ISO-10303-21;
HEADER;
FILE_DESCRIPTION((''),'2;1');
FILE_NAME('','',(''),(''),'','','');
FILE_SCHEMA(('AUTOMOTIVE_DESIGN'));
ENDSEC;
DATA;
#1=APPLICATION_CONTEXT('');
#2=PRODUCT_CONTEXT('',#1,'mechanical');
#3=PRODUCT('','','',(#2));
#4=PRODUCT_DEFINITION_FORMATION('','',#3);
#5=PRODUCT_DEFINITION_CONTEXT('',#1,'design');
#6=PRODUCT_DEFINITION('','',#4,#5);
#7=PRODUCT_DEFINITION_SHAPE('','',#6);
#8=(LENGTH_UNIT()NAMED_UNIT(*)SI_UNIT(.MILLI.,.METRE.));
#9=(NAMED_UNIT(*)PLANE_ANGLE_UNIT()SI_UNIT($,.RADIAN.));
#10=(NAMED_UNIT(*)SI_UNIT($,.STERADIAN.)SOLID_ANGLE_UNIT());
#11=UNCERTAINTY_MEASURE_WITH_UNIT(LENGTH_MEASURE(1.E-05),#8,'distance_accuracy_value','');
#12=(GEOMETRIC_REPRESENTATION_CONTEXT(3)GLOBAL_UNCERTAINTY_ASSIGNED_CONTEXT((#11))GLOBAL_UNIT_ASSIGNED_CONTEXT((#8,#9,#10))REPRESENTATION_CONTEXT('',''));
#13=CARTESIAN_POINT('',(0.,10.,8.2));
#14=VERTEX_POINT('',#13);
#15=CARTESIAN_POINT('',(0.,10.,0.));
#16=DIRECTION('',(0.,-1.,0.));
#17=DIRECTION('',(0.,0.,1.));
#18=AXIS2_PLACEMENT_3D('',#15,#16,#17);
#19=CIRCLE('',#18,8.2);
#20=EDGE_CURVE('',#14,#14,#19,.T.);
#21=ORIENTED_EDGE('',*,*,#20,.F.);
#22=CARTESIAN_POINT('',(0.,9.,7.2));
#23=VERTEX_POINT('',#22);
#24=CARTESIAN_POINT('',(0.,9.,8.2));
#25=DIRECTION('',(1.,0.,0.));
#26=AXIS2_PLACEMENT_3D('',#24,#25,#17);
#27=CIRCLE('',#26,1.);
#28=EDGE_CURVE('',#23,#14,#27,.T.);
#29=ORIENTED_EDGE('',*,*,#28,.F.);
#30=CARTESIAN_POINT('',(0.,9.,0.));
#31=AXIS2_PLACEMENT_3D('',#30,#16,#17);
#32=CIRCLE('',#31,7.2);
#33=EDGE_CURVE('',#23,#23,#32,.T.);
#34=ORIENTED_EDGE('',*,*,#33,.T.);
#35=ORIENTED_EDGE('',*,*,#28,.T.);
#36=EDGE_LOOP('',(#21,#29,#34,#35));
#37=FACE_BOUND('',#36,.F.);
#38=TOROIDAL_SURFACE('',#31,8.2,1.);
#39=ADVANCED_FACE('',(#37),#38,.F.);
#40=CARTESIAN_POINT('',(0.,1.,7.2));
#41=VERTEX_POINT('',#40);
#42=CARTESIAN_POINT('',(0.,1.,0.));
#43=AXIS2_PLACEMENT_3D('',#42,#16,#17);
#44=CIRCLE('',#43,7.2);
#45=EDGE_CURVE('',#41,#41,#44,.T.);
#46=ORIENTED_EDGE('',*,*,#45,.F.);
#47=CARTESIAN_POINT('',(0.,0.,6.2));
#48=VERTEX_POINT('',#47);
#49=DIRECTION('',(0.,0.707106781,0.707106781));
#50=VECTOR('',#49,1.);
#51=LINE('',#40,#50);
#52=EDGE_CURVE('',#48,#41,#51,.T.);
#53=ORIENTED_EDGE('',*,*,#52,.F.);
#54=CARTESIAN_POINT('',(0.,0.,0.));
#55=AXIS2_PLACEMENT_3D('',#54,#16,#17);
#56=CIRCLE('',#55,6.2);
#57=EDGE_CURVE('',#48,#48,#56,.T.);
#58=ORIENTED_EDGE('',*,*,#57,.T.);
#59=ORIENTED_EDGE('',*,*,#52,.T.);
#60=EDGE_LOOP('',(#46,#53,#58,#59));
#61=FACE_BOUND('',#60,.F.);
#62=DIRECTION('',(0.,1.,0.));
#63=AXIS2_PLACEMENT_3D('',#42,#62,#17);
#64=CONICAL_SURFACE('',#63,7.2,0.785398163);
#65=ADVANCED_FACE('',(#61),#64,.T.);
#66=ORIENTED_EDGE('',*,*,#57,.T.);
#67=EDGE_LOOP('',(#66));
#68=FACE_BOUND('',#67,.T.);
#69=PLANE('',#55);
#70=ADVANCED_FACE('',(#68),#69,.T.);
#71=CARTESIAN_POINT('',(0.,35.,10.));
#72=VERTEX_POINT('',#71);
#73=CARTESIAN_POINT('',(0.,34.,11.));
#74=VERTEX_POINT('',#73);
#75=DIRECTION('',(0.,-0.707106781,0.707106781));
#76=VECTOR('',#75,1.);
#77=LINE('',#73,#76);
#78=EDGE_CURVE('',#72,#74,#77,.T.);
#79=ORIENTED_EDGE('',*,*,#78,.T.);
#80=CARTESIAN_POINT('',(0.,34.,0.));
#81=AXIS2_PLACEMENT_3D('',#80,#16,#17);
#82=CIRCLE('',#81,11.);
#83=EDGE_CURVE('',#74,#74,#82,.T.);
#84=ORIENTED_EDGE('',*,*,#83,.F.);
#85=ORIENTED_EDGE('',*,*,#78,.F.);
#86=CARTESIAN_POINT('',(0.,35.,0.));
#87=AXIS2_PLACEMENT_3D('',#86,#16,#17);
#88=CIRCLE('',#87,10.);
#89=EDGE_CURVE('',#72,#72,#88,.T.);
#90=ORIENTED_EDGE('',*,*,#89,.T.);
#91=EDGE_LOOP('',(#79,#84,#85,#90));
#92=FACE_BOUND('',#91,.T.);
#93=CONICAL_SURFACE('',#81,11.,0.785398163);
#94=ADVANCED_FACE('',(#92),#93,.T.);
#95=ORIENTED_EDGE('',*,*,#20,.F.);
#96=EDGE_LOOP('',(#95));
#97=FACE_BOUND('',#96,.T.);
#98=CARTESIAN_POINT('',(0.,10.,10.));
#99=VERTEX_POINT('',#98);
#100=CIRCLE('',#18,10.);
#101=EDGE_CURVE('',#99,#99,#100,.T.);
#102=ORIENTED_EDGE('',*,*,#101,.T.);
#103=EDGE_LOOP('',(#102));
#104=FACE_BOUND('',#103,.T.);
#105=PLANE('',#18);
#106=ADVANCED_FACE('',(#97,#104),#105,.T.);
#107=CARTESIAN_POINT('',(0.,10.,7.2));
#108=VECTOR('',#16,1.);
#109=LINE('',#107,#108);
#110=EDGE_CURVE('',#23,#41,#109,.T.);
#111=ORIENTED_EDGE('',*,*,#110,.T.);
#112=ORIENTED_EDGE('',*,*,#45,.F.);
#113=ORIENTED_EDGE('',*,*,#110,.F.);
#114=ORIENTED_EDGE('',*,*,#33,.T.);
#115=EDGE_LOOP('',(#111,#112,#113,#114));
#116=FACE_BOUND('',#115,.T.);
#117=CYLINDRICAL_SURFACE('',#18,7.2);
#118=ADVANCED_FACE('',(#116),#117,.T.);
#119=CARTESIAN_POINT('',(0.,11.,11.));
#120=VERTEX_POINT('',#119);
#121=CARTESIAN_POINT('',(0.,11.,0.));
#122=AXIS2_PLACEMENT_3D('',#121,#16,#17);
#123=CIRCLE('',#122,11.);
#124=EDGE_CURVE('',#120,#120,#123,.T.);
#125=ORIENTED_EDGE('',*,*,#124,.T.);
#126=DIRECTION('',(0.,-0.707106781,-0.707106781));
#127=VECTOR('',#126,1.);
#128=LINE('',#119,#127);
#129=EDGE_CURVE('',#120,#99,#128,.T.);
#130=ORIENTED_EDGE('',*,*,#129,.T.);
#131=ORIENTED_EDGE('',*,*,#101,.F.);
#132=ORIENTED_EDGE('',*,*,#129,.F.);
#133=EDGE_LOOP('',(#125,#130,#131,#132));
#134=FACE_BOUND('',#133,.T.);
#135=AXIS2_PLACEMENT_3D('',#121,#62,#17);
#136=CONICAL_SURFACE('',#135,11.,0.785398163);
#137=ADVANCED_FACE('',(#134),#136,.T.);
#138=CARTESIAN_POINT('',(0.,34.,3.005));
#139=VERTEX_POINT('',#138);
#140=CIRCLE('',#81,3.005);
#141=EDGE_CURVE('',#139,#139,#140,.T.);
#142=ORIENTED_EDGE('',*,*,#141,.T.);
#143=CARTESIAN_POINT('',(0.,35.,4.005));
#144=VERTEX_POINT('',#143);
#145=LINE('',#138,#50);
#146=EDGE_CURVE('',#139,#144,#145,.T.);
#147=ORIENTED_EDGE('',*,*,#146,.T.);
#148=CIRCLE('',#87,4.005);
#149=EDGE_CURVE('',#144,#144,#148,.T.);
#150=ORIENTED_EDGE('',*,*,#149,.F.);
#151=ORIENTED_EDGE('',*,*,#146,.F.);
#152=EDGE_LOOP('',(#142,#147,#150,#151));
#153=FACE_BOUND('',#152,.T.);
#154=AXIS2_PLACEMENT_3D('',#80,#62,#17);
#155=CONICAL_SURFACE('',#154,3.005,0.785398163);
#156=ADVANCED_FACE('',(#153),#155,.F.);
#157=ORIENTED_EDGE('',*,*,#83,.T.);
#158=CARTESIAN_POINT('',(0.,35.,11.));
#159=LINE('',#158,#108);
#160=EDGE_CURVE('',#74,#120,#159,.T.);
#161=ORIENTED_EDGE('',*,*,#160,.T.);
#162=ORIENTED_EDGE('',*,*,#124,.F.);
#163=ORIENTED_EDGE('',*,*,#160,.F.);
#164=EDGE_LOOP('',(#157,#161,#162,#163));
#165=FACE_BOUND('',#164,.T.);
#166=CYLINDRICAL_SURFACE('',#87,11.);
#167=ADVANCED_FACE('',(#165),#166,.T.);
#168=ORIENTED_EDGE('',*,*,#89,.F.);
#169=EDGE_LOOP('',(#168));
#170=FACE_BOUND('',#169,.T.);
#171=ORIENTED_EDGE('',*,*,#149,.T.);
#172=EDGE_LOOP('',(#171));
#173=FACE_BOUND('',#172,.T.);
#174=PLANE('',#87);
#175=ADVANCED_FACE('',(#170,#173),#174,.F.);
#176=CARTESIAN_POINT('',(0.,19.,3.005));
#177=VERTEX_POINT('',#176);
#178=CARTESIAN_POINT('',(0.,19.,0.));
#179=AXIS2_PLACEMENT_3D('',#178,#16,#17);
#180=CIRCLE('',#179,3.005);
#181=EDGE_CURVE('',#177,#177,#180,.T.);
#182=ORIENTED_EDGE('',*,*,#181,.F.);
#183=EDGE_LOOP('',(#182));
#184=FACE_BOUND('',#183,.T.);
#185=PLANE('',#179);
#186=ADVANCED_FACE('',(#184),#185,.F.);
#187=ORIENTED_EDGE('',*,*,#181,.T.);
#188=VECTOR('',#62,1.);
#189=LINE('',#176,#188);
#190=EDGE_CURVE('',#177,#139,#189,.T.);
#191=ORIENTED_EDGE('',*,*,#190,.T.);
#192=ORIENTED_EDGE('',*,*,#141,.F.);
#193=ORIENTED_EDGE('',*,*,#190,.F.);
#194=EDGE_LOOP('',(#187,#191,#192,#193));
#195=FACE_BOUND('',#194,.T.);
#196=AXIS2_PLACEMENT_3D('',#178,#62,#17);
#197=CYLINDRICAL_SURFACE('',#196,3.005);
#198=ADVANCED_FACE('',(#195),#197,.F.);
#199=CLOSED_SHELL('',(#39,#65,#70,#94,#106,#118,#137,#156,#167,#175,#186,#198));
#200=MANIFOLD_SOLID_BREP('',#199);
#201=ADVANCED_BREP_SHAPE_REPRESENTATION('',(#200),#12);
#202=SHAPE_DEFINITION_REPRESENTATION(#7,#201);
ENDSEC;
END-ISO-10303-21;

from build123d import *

# Parameters (mm, degrees)
F2_SIZE = 1
F3_R    = 1


with BuildPart() as f1:
    # F0 (on Right) → F1 (revolve)
    with BuildSketch(Plane.YZ):
        Polygon((0, 7.2), (0, 0), (19, 0), (19, 3.005), (35, 3.005), (35, 11), (10, 11), (10, 7.2), align=None)
    revolve(axis=Axis((0, 9.5, 0), (0, -1, 0)))

    # F2
    f2_edges = [f1.edges().sort_by_distance(p)[0] for p in [
        (0, 0, -7.2),
        (0, 10, -11),
        (0, 35, -11),
        (0, 35, -3.005),
    ]]
    chamfer(f2_edges, length=F2_SIZE)

    # F3
    f3_edges = [f1.edges().sort_by_distance(p)[0] for p in [
        (0, 10, -7.2),
    ]]
    fillet(f3_edges, radius=F3_R)


solid = f1.part
